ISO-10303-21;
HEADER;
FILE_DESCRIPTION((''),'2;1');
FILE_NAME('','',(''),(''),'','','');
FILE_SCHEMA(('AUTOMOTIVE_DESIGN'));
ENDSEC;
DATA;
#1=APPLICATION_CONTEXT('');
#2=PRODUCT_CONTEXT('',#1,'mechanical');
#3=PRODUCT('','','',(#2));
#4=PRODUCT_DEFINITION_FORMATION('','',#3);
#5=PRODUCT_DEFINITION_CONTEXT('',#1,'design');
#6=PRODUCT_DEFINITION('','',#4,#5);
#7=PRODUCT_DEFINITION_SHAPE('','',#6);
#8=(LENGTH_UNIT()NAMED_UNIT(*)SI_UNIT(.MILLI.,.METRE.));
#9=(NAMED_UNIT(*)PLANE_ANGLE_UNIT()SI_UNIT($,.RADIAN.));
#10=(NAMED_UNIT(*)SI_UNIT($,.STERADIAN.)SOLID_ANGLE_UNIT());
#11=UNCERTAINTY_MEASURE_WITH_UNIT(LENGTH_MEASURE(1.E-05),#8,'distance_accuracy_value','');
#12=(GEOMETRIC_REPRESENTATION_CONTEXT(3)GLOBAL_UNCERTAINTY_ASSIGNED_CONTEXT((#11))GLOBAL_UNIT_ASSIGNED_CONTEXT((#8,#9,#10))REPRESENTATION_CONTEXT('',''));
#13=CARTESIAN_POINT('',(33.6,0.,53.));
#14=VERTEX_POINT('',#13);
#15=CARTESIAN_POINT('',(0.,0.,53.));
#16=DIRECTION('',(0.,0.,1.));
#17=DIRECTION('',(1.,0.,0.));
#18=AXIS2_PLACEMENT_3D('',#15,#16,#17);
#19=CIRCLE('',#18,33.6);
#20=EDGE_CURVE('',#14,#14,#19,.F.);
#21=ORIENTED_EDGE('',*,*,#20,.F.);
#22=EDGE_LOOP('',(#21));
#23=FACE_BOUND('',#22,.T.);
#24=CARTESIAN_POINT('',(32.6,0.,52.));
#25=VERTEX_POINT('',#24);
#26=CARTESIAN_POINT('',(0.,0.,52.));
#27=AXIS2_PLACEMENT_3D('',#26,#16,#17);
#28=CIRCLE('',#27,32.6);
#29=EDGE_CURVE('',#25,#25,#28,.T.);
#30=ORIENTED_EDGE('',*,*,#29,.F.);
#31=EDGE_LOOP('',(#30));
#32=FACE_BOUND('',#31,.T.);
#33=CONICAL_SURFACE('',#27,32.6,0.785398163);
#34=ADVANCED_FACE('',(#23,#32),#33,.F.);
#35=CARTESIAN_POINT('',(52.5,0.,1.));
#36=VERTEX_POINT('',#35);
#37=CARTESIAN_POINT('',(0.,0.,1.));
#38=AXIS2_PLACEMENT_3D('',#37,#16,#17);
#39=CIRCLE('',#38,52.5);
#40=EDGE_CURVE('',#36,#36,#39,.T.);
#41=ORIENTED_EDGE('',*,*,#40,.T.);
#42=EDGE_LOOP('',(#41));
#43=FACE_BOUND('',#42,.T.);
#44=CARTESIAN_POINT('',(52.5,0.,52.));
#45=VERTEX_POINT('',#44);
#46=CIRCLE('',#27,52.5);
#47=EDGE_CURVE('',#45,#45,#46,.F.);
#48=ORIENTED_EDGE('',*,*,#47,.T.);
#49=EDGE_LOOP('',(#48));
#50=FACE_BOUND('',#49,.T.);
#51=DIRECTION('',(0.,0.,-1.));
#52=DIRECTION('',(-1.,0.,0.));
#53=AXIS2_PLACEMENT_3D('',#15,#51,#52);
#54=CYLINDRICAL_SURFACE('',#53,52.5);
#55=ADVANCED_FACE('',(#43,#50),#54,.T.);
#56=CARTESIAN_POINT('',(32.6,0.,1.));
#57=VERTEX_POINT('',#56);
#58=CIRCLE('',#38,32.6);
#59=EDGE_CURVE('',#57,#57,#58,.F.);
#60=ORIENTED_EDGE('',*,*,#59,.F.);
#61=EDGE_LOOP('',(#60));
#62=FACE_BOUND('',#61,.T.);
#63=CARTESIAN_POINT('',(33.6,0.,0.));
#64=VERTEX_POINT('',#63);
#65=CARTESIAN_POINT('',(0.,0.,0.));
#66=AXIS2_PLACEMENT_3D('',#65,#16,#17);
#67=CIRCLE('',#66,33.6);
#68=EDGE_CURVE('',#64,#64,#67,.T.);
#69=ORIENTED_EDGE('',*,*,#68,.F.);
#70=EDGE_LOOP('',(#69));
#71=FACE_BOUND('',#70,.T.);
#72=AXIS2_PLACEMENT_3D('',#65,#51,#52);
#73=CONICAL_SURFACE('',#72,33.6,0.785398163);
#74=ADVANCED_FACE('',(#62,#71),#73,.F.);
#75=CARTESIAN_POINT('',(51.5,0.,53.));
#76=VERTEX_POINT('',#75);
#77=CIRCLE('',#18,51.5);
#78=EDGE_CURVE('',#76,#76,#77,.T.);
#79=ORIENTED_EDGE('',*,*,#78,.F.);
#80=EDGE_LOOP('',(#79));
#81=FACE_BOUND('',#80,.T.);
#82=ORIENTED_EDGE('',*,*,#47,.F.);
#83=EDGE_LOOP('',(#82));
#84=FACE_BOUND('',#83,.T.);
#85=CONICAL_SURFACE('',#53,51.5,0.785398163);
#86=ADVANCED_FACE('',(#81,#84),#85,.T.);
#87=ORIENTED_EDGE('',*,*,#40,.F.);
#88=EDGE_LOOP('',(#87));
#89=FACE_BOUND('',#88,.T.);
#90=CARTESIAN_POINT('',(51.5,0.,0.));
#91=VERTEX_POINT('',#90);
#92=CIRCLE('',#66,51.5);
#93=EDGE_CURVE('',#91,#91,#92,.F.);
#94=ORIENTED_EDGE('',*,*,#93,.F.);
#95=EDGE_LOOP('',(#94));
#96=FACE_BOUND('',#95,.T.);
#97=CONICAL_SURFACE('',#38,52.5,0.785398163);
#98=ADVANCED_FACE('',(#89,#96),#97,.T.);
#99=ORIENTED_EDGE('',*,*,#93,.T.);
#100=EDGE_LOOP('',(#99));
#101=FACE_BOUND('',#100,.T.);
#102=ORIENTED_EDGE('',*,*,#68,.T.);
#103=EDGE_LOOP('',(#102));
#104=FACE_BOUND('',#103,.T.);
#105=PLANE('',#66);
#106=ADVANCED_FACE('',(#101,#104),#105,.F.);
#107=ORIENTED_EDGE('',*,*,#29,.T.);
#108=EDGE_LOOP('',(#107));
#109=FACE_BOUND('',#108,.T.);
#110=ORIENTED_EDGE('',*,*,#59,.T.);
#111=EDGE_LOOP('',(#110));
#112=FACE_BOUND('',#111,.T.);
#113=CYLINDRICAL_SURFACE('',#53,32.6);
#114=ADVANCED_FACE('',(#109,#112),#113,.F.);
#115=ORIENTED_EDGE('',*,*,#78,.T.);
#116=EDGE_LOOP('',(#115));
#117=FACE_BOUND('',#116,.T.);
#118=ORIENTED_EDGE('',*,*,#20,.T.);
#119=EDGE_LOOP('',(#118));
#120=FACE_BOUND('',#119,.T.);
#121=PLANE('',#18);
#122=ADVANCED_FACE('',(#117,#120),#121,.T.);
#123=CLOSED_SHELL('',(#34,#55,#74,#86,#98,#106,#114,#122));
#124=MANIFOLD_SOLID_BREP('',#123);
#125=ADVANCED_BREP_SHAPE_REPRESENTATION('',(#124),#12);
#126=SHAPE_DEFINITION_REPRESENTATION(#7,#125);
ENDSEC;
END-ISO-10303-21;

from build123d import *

# Parameters (mm, degrees)
SKETCH1_R           = 52.5
SKETCH1_R_2         = 32.6
BOSS_EXTRUDE1_DEPTH = 53
CHAMFER1_SIZE       = 1


with BuildPart() as part:
    # Sketch1 → Boss-Extrude1 (new body)
    with BuildSketch(Plane.XY):
        Circle(SKETCH1_R)
        Circle(SKETCH1_R_2, mode=Mode.SUBTRACT)
    extrude(amount=BOSS_EXTRUDE1_DEPTH)

    # Chamfer1
    chamfer1_edges = [part.edges().sort_by_distance(p)[0] for p in [
        (-52.5, 0, 0),
        (-52.5, 0, 53),
        (-32.6, 0, 0),
        (-32.6, 0, 53),
    ]]
    chamfer(chamfer1_edges, length=CHAMFER1_SIZE)


solid = part.part
